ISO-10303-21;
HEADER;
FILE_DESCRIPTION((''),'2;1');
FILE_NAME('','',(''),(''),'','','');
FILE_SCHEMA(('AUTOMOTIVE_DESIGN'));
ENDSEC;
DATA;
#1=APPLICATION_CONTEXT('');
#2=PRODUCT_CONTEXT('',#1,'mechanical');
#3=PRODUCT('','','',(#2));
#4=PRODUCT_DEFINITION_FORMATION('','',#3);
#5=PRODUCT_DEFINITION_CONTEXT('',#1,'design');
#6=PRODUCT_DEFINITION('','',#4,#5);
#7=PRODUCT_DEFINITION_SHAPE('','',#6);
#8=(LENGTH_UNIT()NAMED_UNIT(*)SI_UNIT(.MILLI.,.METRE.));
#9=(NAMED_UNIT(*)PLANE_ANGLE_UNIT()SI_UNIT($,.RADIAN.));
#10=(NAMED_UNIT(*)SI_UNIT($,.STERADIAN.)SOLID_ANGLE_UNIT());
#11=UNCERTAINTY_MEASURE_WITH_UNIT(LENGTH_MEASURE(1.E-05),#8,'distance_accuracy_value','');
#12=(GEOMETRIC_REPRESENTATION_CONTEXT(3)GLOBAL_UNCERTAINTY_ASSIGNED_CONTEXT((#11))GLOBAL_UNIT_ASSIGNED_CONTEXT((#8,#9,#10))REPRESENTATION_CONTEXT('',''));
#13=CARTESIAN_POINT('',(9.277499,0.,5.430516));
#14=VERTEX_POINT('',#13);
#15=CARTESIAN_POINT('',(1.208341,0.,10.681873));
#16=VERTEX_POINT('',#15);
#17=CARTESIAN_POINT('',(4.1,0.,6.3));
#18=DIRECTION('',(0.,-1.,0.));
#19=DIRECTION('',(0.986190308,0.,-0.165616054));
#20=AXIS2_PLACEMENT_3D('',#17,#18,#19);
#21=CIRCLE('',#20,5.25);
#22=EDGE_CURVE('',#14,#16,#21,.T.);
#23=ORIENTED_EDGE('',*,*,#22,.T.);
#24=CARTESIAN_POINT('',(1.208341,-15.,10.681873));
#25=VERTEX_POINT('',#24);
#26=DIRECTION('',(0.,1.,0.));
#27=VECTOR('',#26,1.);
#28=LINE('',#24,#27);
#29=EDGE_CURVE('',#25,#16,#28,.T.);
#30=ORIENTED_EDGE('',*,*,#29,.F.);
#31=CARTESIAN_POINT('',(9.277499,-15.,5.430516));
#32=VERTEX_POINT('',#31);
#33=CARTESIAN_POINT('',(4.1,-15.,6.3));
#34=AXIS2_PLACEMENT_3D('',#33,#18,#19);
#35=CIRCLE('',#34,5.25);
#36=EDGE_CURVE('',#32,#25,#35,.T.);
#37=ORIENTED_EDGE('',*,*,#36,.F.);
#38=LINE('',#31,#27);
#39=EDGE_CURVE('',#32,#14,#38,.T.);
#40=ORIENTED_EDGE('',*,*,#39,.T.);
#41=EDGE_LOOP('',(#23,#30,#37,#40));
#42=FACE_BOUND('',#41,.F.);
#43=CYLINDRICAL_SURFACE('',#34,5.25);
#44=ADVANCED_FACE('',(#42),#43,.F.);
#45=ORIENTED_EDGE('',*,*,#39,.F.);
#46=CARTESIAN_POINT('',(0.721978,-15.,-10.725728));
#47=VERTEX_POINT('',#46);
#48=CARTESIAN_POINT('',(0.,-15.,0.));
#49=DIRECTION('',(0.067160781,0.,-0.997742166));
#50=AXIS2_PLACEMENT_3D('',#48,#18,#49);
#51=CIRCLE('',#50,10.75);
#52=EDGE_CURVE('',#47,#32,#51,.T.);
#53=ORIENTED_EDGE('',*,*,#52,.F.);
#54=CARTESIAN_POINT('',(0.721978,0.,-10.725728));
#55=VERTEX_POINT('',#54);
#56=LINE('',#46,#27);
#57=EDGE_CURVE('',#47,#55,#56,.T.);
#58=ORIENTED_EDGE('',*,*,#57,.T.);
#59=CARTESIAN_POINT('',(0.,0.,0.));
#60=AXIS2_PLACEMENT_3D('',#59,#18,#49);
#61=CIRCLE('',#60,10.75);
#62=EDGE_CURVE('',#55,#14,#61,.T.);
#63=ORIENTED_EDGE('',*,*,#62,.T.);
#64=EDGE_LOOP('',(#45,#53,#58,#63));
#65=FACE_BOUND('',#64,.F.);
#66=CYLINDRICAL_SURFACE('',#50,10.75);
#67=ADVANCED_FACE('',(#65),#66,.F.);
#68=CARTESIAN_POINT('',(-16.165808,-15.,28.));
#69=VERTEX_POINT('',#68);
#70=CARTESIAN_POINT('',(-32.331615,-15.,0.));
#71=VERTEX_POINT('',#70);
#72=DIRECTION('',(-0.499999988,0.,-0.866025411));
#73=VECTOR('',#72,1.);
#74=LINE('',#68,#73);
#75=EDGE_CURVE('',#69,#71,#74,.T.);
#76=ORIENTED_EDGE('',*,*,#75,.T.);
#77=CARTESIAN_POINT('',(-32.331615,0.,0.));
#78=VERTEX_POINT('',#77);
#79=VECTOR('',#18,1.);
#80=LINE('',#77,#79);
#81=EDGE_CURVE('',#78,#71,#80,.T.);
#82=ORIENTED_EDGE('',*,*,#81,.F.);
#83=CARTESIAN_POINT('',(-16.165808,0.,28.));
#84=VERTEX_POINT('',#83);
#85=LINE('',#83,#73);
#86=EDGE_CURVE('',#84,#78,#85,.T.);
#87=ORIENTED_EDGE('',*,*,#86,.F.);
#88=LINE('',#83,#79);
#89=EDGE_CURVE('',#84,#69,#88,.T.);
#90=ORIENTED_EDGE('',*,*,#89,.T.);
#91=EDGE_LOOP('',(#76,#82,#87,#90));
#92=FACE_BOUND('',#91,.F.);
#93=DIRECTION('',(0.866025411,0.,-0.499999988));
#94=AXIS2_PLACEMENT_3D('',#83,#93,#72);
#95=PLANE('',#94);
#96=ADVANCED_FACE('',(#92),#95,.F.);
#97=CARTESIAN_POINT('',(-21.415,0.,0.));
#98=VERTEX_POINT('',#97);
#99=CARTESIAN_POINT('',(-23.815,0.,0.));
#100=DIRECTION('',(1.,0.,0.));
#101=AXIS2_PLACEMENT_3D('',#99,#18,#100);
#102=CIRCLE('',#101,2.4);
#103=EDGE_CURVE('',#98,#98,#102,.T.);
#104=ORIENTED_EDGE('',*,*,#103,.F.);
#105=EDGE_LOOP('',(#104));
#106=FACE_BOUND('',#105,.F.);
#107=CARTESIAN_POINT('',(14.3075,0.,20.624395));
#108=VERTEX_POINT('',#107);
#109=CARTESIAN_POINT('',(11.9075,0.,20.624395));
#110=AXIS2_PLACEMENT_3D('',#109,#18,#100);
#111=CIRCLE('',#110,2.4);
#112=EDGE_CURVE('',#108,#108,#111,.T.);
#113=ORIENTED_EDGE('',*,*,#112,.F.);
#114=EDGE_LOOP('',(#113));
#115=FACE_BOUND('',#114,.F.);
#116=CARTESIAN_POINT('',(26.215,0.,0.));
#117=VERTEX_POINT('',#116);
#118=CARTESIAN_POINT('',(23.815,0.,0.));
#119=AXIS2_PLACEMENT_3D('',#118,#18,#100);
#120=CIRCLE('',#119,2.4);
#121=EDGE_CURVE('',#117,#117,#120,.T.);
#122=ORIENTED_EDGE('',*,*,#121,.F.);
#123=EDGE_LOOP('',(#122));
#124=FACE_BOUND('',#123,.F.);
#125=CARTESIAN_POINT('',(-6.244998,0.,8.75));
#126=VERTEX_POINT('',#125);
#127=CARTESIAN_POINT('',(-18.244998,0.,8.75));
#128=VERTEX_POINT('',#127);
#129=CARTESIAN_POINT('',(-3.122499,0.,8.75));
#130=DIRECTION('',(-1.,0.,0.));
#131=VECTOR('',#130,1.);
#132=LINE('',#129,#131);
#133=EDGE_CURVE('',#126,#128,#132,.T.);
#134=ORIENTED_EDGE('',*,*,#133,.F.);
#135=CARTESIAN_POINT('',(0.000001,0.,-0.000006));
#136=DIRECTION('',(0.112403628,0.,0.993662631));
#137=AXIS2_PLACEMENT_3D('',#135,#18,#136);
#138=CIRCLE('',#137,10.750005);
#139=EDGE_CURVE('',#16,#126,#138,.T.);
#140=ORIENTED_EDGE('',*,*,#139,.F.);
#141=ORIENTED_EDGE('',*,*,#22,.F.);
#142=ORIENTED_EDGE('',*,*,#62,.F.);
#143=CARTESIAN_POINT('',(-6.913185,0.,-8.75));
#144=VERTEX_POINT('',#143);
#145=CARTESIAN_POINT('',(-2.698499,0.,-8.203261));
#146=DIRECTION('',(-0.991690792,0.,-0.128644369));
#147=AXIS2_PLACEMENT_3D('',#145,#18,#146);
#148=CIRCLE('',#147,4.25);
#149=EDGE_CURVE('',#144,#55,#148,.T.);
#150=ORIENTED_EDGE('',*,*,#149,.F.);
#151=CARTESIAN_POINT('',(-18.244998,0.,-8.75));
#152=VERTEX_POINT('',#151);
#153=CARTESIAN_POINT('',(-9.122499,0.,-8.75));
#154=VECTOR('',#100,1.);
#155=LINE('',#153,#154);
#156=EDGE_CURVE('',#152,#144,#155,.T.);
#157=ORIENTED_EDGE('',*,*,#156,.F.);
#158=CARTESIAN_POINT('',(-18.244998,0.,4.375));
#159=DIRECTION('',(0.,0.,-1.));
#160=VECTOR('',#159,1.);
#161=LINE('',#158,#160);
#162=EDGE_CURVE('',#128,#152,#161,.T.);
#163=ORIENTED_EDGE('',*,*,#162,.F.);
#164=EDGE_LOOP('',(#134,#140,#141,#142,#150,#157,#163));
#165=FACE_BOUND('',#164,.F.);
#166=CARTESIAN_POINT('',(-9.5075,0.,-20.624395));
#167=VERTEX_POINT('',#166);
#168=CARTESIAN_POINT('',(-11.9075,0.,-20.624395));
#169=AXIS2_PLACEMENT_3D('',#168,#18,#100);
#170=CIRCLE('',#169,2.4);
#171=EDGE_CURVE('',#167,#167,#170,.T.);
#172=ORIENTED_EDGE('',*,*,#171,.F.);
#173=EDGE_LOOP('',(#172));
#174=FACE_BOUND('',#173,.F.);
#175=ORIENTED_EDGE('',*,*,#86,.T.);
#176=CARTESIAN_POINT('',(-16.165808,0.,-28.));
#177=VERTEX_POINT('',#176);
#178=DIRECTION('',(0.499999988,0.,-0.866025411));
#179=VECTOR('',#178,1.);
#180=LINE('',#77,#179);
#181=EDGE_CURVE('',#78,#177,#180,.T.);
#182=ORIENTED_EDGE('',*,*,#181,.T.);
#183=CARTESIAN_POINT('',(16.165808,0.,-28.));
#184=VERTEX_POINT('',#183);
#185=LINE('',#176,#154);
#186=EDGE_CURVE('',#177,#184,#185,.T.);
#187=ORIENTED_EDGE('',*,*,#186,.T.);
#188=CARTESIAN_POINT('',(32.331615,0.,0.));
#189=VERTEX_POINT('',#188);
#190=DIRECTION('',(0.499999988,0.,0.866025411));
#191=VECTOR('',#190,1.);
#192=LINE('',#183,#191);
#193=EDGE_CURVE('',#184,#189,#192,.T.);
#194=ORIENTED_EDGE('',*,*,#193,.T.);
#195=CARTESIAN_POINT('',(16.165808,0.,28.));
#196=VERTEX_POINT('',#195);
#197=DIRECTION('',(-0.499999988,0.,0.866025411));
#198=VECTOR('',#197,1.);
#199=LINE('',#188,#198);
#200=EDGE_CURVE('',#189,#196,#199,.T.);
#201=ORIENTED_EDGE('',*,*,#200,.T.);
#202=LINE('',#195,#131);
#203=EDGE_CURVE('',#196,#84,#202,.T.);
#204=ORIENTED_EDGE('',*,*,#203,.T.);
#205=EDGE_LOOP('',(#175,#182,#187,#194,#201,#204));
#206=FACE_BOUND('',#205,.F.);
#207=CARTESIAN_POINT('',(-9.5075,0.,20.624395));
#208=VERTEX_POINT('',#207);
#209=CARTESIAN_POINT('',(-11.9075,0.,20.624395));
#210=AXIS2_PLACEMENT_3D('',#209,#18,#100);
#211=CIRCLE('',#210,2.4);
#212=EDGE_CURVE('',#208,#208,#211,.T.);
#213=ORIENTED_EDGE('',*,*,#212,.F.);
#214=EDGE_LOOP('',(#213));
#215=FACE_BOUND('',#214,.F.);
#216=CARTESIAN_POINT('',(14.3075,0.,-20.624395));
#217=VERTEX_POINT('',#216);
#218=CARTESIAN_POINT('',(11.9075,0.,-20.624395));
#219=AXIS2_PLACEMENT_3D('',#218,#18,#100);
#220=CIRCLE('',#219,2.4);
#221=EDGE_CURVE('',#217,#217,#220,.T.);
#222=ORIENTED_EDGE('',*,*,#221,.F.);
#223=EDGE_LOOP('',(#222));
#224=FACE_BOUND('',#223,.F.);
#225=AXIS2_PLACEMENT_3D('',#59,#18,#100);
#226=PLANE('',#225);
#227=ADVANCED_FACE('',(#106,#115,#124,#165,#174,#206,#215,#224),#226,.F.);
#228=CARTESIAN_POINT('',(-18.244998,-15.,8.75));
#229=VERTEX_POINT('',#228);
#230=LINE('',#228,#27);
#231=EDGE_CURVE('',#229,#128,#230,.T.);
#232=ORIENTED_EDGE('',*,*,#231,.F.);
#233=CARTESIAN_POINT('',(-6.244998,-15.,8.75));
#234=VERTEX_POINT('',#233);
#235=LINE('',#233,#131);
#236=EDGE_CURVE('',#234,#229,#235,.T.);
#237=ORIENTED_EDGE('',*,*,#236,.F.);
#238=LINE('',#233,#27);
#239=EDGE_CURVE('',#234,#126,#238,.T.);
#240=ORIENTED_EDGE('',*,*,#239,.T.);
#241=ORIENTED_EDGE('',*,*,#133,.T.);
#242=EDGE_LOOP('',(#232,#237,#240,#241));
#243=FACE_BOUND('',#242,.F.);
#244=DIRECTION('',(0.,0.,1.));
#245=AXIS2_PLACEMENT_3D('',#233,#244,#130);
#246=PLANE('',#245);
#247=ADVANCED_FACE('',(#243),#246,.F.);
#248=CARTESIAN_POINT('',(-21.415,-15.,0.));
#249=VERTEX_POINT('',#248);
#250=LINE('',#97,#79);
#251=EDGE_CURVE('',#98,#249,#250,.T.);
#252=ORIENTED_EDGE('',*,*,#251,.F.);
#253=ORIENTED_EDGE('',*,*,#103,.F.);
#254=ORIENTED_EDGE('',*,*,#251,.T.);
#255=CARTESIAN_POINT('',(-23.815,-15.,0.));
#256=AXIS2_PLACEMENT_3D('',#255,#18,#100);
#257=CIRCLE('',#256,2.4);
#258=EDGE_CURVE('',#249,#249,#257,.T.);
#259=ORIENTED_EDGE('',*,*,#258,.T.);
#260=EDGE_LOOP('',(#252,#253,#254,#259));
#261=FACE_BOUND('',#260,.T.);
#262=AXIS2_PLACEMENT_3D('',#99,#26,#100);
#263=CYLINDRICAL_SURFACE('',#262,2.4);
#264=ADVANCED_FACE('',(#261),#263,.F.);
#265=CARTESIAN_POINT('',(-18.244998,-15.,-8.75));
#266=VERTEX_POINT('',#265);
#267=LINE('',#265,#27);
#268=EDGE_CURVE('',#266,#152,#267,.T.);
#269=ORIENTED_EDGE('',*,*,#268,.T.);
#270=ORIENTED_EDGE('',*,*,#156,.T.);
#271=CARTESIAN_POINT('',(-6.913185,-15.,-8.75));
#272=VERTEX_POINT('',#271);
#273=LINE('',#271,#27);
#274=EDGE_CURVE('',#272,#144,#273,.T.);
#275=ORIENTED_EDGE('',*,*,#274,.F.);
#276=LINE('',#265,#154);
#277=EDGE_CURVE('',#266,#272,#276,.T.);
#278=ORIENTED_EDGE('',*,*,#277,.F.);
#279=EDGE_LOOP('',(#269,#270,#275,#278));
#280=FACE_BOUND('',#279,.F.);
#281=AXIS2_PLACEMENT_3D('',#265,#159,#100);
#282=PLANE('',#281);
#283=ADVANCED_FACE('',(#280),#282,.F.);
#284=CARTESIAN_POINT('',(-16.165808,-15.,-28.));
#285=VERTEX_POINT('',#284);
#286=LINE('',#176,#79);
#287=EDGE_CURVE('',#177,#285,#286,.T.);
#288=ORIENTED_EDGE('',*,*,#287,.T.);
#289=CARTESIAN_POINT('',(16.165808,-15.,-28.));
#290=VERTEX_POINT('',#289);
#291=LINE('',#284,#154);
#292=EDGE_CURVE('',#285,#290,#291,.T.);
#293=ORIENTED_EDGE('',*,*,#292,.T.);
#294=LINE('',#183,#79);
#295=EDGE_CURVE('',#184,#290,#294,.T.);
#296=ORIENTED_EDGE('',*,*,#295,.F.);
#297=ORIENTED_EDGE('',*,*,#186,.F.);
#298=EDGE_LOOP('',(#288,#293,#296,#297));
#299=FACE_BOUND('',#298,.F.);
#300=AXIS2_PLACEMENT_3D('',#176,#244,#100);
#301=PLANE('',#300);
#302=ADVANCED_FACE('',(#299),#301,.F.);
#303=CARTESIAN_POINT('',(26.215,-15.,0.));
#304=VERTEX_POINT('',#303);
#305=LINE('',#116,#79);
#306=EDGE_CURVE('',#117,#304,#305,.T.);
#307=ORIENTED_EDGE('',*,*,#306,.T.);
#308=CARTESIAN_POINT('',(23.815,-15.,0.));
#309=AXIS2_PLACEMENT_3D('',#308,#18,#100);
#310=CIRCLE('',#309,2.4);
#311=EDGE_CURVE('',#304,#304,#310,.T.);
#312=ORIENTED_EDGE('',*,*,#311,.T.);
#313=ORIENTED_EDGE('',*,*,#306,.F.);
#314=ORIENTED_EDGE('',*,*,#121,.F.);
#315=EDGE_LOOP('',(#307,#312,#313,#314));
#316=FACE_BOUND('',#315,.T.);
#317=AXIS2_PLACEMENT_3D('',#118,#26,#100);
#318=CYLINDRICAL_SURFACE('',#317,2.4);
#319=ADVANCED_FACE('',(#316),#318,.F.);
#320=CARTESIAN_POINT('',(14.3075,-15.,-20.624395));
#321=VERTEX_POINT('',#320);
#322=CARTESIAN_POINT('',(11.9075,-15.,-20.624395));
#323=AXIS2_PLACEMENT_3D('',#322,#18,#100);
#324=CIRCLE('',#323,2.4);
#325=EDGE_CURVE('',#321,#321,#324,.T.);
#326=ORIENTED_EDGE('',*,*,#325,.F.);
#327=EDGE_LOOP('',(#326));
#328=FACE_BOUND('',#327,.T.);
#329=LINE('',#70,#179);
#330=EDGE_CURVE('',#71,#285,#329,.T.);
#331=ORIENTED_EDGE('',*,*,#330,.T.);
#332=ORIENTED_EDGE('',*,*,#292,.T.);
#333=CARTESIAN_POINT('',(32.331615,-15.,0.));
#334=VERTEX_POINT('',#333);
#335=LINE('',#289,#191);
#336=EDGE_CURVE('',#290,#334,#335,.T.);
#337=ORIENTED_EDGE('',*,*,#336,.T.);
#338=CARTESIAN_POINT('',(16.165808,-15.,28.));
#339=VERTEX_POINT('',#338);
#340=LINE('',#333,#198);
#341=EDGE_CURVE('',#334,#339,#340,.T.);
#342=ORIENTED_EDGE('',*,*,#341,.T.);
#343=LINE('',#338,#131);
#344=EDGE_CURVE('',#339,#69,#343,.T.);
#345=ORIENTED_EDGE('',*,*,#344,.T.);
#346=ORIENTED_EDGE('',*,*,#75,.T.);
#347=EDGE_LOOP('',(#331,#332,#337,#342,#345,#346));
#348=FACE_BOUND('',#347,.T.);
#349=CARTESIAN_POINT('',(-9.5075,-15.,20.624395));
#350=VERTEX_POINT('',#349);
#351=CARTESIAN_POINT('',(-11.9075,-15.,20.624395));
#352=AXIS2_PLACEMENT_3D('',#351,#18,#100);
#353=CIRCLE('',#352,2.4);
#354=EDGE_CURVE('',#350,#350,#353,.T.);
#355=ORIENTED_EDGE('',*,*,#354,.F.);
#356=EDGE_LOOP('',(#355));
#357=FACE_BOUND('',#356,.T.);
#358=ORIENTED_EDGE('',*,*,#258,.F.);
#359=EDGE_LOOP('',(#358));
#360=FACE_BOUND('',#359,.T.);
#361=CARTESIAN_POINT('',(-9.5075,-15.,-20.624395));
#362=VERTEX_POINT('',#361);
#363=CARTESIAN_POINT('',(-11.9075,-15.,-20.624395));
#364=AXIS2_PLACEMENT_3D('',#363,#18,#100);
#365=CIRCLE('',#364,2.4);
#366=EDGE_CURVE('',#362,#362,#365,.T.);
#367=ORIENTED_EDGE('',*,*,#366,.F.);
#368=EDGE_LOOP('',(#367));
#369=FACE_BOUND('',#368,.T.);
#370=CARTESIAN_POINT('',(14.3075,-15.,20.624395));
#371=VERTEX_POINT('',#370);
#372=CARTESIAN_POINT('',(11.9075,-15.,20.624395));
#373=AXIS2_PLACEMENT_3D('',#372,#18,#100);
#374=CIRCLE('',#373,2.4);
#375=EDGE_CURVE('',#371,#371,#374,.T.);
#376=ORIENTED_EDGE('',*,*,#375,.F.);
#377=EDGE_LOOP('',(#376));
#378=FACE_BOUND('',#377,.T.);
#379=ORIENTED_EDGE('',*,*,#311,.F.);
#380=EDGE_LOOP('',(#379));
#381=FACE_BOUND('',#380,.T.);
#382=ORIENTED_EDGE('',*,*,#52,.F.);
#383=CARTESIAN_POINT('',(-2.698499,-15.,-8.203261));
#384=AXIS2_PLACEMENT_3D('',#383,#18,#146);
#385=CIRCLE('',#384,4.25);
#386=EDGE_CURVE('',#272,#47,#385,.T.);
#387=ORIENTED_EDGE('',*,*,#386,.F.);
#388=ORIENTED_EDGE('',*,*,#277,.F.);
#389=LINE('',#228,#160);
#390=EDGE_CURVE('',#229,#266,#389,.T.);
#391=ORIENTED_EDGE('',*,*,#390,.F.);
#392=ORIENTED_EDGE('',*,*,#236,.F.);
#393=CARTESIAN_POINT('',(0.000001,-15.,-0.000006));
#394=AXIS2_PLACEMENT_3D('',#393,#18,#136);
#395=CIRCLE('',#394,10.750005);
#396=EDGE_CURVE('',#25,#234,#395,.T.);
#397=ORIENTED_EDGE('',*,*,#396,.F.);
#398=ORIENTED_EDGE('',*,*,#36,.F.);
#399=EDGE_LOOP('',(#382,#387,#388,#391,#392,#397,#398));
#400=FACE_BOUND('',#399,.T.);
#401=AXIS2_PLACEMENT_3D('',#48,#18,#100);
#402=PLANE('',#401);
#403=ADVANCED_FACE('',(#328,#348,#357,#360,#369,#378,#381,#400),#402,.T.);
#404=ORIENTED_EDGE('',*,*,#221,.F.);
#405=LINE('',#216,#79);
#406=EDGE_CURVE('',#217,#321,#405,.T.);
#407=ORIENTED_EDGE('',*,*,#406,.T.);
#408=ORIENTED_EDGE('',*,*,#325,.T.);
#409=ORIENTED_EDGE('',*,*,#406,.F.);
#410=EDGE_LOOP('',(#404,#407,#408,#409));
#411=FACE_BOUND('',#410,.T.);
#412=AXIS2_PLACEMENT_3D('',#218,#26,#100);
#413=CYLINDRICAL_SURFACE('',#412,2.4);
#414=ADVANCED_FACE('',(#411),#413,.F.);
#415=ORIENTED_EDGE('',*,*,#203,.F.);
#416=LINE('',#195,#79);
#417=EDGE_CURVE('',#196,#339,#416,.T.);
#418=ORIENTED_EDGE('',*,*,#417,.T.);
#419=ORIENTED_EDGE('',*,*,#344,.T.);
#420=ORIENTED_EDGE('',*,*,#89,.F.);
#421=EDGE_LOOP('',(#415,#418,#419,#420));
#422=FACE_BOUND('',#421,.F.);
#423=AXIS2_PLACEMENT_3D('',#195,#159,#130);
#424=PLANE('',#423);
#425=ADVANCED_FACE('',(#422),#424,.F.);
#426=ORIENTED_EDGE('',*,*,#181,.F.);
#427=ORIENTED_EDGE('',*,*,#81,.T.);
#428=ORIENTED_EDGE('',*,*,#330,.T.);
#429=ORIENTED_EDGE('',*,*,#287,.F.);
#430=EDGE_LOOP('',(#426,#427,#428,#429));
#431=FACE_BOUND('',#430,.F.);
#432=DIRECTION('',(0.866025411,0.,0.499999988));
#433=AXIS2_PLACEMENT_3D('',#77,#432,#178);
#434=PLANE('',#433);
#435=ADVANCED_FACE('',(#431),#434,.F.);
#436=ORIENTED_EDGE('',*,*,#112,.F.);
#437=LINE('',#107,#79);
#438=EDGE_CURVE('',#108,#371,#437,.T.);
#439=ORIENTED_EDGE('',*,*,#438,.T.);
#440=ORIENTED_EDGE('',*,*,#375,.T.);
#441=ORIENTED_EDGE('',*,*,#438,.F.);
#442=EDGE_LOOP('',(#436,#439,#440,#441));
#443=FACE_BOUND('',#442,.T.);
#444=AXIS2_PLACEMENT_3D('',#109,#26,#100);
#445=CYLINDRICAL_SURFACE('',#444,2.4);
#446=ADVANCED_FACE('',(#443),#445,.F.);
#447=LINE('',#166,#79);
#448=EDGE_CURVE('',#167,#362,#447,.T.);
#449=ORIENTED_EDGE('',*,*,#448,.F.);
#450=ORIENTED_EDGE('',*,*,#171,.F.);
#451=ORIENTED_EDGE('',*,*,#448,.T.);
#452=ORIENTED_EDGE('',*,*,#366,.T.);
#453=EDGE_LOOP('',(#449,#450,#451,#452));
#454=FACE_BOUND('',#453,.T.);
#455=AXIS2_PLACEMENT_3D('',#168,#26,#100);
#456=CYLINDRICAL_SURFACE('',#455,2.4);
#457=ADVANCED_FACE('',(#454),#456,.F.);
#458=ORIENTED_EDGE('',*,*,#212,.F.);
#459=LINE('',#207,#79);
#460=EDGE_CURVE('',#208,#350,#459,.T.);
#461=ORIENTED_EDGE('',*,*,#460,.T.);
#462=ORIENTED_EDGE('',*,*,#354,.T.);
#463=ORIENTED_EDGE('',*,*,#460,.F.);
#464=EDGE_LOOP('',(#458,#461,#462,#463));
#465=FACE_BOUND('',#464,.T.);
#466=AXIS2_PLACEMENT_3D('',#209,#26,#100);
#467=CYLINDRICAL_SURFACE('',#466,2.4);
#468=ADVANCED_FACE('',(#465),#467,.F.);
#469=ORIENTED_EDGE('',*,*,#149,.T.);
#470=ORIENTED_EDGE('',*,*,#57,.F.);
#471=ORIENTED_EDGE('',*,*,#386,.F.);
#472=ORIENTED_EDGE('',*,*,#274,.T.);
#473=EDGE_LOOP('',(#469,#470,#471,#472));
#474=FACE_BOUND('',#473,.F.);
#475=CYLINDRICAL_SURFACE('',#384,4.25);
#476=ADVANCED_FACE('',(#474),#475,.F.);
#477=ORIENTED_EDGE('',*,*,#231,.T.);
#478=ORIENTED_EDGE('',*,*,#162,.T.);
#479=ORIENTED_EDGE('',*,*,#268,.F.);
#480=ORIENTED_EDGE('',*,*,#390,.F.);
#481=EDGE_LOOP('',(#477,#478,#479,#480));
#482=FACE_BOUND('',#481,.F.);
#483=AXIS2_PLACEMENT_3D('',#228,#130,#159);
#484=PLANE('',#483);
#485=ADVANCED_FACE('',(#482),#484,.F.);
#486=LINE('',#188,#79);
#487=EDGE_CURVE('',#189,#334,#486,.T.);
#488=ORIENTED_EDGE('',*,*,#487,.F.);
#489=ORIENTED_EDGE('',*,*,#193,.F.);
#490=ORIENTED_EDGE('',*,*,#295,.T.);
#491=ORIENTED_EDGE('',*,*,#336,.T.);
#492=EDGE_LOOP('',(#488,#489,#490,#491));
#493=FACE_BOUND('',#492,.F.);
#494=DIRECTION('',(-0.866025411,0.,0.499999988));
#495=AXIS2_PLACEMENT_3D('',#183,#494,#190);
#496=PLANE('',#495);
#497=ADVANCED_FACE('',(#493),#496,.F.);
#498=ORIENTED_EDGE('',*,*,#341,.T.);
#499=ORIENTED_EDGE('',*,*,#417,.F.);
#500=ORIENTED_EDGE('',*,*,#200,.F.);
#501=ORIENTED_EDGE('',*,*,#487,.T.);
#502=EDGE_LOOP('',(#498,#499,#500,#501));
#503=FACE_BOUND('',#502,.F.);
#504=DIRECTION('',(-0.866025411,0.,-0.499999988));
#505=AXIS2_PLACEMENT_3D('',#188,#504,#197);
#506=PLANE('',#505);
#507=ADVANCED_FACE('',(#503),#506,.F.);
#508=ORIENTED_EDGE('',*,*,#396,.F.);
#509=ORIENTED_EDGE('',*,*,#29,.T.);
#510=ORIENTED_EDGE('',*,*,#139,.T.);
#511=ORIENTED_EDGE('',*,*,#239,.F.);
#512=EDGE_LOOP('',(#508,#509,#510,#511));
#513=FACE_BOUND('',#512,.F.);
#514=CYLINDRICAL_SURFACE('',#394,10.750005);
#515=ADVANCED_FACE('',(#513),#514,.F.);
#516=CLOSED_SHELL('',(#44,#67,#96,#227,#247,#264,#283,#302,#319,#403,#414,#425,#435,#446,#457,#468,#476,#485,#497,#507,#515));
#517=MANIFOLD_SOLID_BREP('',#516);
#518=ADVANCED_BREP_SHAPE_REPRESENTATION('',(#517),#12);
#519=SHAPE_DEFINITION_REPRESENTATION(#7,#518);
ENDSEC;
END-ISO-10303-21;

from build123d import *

# Parameters (mm, degrees)
F0_R     = 2.4
F1_DEPTH = 15
F3_DEPTH = 25


with BuildPart() as f1:
    # F0 (on Front) → F1 (new body)
    with BuildSketch(Plane.XZ):
        Polygon((16.165808, 28), (-16.165808, 28), (-32.331615, 0), (-16.165808, -28), (16.165808, -28), (32.331615, 0), align=None)
        with Locations((-11.9075, -20.624395)):
            Circle(F0_R, mode=Mode.SUBTRACT)
        with Locations((11.9075, -20.624395)):
            Circle(F0_R, mode=Mode.SUBTRACT)
        with Locations((-23.815, 0)):
            Circle(F0_R, mode=Mode.SUBTRACT)
        with Locations((-11.9075, 20.624395)):
            Circle(F0_R, mode=Mode.SUBTRACT)
        with Locations((23.815, 0)):
            Circle(F0_R, mode=Mode.SUBTRACT)
        with Locations((11.9075, 20.624395)):
            Circle(F0_R, mode=Mode.SUBTRACT)
    extrude(amount=F1_DEPTH)

    # F2 (on face) → F3 (cut)
    with BuildSketch(Plane.XZ.offset(15)):
        with BuildLine():
            ThreePointArc((-6.913185, -8.75), (-3.76319, -12.31774), (0.721978, -10.725728))
            ThreePointArc((0.721978, -10.725728), (9.500181, -5.03081), (9.277499, 5.430516))
            ThreePointArc((9.277499, 5.430516), (6.963643, 10.700233), (1.208341, 10.681873))
            ThreePointArc((1.208341, 10.681873), (-2.697223, 10.406127), (-6.244998, 8.75))
            Line((-6.244998, 8.75), (-18.244998, 8.75))
            Line((-18.244998, 8.75), (-18.244998, -8.75))
            Line((-18.244998, -8.75), (-6.913185, -8.75))
        make_face()
    extrude(amount=-F3_DEPTH, mode=Mode.SUBTRACT)


solid = f1.part
